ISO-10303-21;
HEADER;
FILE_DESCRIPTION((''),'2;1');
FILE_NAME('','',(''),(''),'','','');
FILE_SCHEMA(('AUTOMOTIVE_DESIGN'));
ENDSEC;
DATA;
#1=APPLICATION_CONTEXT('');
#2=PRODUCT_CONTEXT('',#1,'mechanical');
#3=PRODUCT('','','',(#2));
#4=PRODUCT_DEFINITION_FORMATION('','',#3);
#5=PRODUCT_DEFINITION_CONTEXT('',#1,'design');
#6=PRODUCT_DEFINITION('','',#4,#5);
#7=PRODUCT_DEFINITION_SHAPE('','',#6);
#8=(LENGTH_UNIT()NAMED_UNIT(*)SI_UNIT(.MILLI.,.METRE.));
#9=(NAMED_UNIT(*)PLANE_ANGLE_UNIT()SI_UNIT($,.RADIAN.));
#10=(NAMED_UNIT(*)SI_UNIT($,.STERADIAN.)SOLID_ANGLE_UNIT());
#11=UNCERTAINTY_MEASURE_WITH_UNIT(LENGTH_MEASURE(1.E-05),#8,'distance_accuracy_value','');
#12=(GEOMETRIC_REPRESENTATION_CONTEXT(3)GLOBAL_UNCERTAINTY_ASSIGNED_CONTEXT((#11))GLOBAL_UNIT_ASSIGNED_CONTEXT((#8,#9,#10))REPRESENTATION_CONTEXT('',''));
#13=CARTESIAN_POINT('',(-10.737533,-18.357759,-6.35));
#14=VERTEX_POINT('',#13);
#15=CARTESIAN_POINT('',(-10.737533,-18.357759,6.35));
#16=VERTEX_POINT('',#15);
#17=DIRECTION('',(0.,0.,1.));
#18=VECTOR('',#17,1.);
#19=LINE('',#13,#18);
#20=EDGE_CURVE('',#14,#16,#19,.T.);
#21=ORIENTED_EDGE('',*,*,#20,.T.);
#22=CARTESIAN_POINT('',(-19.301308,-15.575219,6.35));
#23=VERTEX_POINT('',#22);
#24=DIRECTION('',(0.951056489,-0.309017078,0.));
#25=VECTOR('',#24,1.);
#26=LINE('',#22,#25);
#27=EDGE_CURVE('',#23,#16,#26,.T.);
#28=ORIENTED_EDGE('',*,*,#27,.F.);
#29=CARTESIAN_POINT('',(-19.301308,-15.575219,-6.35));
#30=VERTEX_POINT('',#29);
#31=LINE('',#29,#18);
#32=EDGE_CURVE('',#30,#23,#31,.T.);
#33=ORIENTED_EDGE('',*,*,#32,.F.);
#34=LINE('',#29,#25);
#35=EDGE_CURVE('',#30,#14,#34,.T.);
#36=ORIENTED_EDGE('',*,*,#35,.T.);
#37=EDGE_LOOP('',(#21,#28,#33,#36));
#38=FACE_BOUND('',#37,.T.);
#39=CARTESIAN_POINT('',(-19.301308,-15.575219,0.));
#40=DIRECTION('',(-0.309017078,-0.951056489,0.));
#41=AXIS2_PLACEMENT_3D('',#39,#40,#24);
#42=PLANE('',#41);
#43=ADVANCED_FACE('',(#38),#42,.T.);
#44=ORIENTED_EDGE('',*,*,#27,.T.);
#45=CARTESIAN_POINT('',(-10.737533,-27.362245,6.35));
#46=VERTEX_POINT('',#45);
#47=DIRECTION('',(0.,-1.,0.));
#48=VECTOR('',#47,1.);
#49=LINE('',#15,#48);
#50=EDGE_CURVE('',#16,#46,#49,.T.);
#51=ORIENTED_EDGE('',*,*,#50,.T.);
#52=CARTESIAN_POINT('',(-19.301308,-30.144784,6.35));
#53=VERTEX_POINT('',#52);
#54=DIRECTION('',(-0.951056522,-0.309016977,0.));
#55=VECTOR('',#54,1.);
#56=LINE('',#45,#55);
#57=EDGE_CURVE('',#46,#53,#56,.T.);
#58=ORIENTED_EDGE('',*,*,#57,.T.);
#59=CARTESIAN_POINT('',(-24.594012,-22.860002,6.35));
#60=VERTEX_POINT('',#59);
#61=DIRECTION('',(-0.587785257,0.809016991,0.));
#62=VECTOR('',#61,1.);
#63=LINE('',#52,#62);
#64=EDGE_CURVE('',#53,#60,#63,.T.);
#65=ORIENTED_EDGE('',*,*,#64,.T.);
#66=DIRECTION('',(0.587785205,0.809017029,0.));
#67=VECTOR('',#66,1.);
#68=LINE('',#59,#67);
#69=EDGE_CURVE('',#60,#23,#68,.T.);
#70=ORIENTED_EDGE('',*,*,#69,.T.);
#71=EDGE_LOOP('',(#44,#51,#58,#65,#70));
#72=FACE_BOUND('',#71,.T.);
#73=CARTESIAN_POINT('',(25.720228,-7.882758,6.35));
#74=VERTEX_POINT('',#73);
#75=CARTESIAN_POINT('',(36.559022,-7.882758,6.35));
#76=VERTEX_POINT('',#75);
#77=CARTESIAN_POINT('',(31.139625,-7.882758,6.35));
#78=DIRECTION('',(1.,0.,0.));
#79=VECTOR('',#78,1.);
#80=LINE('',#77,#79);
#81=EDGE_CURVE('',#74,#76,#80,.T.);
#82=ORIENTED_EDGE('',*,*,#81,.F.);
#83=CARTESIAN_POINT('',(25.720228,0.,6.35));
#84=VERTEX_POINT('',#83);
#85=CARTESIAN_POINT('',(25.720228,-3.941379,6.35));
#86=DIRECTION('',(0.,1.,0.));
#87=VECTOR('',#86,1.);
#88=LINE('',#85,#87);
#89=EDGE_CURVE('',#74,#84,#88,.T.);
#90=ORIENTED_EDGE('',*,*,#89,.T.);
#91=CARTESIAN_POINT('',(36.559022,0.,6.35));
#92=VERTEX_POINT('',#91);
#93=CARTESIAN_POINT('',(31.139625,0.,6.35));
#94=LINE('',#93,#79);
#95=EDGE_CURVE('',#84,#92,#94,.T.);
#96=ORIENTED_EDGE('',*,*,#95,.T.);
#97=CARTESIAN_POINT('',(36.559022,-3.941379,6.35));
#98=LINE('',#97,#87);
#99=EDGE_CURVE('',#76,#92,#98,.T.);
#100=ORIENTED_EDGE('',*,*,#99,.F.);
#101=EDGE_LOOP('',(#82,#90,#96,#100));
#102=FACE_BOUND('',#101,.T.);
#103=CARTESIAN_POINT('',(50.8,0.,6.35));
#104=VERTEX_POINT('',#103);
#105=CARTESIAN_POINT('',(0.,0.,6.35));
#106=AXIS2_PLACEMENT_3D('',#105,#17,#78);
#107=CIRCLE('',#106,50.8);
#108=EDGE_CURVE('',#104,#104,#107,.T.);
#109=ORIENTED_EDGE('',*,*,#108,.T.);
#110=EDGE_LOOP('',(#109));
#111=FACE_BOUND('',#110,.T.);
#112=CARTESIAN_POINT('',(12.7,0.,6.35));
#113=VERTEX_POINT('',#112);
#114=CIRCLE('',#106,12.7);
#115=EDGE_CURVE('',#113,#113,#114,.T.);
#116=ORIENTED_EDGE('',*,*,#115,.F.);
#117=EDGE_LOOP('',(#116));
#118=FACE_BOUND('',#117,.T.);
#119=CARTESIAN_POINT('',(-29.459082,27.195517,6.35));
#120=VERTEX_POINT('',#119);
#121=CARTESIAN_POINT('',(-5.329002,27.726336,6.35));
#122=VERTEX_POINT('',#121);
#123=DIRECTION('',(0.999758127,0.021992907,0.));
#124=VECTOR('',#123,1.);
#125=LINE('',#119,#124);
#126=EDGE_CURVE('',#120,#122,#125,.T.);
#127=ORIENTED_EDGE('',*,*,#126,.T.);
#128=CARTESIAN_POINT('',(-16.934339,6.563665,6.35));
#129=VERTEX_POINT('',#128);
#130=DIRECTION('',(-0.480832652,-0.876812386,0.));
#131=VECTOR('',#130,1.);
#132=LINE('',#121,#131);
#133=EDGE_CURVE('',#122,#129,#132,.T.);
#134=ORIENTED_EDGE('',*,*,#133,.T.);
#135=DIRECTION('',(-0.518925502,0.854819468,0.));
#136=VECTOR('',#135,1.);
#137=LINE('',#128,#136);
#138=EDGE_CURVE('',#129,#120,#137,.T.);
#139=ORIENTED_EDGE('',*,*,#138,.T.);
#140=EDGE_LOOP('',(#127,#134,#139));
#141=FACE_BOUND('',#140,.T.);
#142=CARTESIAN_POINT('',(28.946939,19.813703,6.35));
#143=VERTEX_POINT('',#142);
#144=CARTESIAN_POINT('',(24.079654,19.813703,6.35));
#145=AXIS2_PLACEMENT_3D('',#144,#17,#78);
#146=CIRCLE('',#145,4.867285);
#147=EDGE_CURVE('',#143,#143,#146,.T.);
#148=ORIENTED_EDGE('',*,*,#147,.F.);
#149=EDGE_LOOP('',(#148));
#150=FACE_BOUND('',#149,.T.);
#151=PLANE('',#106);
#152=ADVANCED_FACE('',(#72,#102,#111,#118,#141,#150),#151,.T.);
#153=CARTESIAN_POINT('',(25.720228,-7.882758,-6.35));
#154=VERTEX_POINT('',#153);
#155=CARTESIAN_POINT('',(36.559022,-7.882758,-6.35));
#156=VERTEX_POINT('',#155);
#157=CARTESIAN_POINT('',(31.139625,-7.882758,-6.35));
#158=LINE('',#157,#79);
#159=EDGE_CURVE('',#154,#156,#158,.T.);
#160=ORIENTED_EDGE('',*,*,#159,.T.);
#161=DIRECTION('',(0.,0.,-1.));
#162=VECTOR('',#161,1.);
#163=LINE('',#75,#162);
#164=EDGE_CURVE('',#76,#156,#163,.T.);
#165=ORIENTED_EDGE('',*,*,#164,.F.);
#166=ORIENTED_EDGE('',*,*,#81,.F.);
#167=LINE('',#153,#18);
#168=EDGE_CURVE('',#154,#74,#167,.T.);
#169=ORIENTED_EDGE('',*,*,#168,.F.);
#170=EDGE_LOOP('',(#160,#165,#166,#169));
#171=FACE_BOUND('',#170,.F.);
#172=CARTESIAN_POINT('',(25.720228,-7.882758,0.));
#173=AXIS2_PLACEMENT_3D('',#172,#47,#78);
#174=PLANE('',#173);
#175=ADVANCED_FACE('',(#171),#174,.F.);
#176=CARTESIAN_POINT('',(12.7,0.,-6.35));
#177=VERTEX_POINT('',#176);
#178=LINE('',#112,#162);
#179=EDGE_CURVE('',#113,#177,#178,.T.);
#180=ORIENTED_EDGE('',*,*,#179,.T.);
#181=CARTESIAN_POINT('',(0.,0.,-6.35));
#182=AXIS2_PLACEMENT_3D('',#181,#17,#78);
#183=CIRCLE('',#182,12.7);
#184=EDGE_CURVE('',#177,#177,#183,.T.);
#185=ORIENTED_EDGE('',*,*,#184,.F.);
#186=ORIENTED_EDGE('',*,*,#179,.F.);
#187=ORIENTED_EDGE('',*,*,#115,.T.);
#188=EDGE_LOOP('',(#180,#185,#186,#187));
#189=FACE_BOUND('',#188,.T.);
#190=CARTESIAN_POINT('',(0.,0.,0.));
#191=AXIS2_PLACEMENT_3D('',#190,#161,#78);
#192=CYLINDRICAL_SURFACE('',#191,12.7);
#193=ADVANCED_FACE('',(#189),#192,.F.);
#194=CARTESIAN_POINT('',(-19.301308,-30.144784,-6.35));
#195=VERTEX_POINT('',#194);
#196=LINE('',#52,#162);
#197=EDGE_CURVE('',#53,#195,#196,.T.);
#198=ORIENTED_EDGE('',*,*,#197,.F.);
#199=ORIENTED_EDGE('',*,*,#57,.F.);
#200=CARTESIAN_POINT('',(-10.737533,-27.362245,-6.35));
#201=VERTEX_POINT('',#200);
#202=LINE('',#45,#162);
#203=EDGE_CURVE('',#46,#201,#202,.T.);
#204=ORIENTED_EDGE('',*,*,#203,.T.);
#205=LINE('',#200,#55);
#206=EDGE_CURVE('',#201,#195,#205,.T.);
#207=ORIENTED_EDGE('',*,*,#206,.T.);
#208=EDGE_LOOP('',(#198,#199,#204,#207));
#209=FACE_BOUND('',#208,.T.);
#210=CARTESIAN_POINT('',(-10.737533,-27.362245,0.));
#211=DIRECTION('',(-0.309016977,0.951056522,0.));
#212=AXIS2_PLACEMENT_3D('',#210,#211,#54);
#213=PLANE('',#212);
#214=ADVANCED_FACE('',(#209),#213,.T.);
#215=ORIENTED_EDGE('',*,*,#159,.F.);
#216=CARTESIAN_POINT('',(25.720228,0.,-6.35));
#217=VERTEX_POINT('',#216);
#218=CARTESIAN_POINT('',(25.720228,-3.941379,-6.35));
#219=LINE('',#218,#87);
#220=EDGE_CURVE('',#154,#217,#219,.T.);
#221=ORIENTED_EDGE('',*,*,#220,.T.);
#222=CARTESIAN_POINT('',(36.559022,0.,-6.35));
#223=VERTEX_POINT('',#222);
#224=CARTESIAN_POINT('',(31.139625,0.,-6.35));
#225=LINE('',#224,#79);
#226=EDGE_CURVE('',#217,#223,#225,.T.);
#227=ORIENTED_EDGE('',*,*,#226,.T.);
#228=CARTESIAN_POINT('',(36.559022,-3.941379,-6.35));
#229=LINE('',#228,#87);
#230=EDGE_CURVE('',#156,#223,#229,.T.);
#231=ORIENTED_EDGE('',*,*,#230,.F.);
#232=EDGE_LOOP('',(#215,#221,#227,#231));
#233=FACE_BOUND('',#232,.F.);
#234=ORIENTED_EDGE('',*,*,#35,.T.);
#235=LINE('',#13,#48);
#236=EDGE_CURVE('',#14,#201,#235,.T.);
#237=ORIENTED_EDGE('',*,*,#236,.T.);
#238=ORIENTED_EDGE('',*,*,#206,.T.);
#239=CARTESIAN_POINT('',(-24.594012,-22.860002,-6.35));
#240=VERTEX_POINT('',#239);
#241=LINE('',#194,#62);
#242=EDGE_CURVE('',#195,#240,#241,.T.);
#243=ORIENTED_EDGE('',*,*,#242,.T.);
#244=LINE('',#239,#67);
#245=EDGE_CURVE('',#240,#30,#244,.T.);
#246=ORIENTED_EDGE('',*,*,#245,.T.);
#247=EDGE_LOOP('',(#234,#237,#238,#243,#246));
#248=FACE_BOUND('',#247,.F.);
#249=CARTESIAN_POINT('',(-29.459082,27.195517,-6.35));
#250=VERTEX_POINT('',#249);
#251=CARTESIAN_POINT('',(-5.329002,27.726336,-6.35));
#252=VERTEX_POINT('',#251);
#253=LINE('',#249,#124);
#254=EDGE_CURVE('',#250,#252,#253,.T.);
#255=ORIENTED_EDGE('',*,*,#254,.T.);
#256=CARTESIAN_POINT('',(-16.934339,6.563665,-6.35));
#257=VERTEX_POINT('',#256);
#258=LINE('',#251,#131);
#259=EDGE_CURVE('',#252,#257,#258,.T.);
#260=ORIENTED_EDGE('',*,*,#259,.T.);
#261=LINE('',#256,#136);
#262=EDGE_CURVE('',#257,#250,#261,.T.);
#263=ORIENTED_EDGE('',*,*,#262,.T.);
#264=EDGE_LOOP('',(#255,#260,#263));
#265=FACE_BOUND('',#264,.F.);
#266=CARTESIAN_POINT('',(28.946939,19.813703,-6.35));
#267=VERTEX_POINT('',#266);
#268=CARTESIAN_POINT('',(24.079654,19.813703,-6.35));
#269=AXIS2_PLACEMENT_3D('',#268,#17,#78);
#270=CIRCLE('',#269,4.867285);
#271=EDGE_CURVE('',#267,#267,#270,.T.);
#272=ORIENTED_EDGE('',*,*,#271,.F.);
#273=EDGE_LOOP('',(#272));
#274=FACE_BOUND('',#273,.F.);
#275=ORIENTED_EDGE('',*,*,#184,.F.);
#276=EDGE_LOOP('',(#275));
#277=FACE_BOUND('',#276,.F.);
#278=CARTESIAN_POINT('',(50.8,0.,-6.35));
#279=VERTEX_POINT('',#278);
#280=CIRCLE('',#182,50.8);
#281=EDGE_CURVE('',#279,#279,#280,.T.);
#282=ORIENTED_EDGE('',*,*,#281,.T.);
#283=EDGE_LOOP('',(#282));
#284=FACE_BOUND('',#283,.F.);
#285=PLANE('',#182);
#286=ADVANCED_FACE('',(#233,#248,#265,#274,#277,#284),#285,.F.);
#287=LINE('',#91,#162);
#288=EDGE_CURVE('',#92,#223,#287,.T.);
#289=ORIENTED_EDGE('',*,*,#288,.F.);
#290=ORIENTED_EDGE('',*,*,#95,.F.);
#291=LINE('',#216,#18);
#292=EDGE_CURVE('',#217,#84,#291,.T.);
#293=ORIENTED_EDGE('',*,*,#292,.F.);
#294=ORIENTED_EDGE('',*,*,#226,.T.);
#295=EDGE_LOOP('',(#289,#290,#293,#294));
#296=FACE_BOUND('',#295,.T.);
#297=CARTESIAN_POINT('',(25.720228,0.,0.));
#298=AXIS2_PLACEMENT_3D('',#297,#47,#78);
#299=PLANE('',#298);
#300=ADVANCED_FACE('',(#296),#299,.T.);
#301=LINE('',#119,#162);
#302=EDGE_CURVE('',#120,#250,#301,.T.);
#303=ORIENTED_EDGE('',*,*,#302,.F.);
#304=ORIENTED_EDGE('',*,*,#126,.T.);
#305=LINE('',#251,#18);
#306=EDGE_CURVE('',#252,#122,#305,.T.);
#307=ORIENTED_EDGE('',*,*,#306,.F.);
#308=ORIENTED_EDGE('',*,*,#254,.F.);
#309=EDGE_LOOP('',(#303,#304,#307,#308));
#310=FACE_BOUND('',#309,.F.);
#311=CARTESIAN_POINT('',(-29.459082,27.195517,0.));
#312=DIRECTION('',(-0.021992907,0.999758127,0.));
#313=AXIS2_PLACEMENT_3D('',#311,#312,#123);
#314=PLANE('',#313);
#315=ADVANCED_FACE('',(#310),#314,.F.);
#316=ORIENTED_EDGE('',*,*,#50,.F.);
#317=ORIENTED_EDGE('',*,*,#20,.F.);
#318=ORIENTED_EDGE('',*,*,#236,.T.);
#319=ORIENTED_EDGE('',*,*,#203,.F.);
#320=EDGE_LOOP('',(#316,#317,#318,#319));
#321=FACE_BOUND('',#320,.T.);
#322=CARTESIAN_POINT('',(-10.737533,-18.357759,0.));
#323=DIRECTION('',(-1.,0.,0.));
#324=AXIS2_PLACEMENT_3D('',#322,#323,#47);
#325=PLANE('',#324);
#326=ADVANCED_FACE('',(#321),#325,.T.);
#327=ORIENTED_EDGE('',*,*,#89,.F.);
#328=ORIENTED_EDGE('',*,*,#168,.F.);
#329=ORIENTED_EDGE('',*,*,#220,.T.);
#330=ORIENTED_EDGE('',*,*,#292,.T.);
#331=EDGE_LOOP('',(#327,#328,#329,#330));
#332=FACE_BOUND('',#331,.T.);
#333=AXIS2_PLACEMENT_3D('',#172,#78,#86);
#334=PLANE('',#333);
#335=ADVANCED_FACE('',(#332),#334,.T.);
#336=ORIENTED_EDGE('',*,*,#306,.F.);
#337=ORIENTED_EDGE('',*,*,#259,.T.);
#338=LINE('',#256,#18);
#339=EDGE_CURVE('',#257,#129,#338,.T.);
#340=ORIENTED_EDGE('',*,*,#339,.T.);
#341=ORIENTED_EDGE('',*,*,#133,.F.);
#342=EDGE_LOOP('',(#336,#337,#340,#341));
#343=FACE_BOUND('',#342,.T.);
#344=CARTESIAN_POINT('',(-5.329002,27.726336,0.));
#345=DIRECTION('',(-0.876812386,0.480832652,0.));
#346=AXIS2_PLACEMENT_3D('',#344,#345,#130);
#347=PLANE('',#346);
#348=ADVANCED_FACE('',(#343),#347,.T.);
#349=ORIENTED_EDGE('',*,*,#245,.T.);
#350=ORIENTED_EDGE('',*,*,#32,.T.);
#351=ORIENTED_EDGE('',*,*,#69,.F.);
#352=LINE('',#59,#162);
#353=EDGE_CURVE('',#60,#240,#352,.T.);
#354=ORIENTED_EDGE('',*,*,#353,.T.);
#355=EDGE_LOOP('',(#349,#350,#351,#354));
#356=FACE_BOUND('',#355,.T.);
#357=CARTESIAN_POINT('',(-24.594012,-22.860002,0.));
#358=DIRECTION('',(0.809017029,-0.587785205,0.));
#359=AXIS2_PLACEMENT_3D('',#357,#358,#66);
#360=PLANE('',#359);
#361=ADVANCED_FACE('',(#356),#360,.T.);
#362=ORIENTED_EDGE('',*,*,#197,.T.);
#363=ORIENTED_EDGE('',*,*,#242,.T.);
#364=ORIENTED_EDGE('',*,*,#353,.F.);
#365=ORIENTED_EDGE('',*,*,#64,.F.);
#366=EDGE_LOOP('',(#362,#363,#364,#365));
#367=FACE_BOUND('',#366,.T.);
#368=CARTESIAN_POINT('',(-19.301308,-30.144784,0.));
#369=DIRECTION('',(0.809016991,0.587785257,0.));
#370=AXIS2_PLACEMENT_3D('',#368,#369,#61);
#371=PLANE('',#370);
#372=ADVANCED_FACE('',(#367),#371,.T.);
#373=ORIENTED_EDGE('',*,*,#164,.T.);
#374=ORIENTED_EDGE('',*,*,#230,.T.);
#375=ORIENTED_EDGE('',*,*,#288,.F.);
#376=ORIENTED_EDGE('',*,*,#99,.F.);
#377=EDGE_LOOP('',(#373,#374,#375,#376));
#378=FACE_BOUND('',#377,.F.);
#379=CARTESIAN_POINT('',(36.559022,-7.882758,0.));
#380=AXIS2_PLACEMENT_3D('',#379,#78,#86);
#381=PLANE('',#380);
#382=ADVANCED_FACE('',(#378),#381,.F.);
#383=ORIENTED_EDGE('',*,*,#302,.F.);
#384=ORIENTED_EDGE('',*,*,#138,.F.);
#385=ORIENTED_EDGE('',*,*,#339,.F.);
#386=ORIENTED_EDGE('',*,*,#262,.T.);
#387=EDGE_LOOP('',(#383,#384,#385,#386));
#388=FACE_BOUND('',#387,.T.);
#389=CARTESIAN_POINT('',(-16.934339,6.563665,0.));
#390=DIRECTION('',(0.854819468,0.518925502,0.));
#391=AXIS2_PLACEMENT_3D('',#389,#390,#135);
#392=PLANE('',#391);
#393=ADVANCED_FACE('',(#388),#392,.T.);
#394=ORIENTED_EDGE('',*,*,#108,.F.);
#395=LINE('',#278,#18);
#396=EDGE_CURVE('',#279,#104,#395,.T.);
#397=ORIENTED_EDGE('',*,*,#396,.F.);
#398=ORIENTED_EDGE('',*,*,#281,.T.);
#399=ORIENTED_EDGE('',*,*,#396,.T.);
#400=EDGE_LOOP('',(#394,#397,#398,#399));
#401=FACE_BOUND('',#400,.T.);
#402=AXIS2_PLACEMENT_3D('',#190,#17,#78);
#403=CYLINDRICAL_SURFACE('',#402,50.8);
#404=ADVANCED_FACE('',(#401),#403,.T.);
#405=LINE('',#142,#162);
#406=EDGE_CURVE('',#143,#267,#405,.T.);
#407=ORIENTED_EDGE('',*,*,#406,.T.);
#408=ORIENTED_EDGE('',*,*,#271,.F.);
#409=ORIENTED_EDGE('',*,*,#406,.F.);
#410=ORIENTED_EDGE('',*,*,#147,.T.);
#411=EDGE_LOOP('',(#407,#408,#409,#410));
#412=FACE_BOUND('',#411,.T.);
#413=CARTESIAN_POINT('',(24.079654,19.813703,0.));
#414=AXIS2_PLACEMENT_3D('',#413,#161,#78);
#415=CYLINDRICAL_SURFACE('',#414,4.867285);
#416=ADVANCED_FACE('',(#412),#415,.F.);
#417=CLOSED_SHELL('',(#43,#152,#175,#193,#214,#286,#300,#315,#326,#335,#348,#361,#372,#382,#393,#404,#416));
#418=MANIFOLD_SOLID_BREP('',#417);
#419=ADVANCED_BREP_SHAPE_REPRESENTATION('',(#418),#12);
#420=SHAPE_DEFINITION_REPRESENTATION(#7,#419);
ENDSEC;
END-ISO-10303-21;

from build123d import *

# Parameters (mm, degrees)
F0_R     = 50.8
F0_R_2   = 12.7
F0_W     = 10.838795
F0_H     = 7.882758
F0_R_3   = 4.867285
F1_DEPTH = 6.35


with BuildPart() as f1:
    # F0 (on Top) → F1 (new body, symmetric)
    with BuildSketch(Plane.XY):
        Circle(F0_R)
        Polygon((-19.301308, -15.575219), (-10.737533, -18.357759), (-10.737533, -27.362245), (-19.301308, -30.144784), (-24.594012, -22.860002), align=None, mode=Mode.SUBTRACT)
        Circle(F0_R_2, mode=Mode.SUBTRACT)
        with Locations((31.139625, -3.941379)):
            Rectangle(F0_W, F0_H, mode=Mode.SUBTRACT)
        Polygon((-29.459082, 27.195517), (-5.329002, 27.726336), (-16.934339, 6.563665), align=None, mode=Mode.SUBTRACT)
        with Locations((24.079654, 19.813703)):
            Circle(F0_R_3, mode=Mode.SUBTRACT)
    extrude(amount=F1_DEPTH, both=True)


solid = f1.part
